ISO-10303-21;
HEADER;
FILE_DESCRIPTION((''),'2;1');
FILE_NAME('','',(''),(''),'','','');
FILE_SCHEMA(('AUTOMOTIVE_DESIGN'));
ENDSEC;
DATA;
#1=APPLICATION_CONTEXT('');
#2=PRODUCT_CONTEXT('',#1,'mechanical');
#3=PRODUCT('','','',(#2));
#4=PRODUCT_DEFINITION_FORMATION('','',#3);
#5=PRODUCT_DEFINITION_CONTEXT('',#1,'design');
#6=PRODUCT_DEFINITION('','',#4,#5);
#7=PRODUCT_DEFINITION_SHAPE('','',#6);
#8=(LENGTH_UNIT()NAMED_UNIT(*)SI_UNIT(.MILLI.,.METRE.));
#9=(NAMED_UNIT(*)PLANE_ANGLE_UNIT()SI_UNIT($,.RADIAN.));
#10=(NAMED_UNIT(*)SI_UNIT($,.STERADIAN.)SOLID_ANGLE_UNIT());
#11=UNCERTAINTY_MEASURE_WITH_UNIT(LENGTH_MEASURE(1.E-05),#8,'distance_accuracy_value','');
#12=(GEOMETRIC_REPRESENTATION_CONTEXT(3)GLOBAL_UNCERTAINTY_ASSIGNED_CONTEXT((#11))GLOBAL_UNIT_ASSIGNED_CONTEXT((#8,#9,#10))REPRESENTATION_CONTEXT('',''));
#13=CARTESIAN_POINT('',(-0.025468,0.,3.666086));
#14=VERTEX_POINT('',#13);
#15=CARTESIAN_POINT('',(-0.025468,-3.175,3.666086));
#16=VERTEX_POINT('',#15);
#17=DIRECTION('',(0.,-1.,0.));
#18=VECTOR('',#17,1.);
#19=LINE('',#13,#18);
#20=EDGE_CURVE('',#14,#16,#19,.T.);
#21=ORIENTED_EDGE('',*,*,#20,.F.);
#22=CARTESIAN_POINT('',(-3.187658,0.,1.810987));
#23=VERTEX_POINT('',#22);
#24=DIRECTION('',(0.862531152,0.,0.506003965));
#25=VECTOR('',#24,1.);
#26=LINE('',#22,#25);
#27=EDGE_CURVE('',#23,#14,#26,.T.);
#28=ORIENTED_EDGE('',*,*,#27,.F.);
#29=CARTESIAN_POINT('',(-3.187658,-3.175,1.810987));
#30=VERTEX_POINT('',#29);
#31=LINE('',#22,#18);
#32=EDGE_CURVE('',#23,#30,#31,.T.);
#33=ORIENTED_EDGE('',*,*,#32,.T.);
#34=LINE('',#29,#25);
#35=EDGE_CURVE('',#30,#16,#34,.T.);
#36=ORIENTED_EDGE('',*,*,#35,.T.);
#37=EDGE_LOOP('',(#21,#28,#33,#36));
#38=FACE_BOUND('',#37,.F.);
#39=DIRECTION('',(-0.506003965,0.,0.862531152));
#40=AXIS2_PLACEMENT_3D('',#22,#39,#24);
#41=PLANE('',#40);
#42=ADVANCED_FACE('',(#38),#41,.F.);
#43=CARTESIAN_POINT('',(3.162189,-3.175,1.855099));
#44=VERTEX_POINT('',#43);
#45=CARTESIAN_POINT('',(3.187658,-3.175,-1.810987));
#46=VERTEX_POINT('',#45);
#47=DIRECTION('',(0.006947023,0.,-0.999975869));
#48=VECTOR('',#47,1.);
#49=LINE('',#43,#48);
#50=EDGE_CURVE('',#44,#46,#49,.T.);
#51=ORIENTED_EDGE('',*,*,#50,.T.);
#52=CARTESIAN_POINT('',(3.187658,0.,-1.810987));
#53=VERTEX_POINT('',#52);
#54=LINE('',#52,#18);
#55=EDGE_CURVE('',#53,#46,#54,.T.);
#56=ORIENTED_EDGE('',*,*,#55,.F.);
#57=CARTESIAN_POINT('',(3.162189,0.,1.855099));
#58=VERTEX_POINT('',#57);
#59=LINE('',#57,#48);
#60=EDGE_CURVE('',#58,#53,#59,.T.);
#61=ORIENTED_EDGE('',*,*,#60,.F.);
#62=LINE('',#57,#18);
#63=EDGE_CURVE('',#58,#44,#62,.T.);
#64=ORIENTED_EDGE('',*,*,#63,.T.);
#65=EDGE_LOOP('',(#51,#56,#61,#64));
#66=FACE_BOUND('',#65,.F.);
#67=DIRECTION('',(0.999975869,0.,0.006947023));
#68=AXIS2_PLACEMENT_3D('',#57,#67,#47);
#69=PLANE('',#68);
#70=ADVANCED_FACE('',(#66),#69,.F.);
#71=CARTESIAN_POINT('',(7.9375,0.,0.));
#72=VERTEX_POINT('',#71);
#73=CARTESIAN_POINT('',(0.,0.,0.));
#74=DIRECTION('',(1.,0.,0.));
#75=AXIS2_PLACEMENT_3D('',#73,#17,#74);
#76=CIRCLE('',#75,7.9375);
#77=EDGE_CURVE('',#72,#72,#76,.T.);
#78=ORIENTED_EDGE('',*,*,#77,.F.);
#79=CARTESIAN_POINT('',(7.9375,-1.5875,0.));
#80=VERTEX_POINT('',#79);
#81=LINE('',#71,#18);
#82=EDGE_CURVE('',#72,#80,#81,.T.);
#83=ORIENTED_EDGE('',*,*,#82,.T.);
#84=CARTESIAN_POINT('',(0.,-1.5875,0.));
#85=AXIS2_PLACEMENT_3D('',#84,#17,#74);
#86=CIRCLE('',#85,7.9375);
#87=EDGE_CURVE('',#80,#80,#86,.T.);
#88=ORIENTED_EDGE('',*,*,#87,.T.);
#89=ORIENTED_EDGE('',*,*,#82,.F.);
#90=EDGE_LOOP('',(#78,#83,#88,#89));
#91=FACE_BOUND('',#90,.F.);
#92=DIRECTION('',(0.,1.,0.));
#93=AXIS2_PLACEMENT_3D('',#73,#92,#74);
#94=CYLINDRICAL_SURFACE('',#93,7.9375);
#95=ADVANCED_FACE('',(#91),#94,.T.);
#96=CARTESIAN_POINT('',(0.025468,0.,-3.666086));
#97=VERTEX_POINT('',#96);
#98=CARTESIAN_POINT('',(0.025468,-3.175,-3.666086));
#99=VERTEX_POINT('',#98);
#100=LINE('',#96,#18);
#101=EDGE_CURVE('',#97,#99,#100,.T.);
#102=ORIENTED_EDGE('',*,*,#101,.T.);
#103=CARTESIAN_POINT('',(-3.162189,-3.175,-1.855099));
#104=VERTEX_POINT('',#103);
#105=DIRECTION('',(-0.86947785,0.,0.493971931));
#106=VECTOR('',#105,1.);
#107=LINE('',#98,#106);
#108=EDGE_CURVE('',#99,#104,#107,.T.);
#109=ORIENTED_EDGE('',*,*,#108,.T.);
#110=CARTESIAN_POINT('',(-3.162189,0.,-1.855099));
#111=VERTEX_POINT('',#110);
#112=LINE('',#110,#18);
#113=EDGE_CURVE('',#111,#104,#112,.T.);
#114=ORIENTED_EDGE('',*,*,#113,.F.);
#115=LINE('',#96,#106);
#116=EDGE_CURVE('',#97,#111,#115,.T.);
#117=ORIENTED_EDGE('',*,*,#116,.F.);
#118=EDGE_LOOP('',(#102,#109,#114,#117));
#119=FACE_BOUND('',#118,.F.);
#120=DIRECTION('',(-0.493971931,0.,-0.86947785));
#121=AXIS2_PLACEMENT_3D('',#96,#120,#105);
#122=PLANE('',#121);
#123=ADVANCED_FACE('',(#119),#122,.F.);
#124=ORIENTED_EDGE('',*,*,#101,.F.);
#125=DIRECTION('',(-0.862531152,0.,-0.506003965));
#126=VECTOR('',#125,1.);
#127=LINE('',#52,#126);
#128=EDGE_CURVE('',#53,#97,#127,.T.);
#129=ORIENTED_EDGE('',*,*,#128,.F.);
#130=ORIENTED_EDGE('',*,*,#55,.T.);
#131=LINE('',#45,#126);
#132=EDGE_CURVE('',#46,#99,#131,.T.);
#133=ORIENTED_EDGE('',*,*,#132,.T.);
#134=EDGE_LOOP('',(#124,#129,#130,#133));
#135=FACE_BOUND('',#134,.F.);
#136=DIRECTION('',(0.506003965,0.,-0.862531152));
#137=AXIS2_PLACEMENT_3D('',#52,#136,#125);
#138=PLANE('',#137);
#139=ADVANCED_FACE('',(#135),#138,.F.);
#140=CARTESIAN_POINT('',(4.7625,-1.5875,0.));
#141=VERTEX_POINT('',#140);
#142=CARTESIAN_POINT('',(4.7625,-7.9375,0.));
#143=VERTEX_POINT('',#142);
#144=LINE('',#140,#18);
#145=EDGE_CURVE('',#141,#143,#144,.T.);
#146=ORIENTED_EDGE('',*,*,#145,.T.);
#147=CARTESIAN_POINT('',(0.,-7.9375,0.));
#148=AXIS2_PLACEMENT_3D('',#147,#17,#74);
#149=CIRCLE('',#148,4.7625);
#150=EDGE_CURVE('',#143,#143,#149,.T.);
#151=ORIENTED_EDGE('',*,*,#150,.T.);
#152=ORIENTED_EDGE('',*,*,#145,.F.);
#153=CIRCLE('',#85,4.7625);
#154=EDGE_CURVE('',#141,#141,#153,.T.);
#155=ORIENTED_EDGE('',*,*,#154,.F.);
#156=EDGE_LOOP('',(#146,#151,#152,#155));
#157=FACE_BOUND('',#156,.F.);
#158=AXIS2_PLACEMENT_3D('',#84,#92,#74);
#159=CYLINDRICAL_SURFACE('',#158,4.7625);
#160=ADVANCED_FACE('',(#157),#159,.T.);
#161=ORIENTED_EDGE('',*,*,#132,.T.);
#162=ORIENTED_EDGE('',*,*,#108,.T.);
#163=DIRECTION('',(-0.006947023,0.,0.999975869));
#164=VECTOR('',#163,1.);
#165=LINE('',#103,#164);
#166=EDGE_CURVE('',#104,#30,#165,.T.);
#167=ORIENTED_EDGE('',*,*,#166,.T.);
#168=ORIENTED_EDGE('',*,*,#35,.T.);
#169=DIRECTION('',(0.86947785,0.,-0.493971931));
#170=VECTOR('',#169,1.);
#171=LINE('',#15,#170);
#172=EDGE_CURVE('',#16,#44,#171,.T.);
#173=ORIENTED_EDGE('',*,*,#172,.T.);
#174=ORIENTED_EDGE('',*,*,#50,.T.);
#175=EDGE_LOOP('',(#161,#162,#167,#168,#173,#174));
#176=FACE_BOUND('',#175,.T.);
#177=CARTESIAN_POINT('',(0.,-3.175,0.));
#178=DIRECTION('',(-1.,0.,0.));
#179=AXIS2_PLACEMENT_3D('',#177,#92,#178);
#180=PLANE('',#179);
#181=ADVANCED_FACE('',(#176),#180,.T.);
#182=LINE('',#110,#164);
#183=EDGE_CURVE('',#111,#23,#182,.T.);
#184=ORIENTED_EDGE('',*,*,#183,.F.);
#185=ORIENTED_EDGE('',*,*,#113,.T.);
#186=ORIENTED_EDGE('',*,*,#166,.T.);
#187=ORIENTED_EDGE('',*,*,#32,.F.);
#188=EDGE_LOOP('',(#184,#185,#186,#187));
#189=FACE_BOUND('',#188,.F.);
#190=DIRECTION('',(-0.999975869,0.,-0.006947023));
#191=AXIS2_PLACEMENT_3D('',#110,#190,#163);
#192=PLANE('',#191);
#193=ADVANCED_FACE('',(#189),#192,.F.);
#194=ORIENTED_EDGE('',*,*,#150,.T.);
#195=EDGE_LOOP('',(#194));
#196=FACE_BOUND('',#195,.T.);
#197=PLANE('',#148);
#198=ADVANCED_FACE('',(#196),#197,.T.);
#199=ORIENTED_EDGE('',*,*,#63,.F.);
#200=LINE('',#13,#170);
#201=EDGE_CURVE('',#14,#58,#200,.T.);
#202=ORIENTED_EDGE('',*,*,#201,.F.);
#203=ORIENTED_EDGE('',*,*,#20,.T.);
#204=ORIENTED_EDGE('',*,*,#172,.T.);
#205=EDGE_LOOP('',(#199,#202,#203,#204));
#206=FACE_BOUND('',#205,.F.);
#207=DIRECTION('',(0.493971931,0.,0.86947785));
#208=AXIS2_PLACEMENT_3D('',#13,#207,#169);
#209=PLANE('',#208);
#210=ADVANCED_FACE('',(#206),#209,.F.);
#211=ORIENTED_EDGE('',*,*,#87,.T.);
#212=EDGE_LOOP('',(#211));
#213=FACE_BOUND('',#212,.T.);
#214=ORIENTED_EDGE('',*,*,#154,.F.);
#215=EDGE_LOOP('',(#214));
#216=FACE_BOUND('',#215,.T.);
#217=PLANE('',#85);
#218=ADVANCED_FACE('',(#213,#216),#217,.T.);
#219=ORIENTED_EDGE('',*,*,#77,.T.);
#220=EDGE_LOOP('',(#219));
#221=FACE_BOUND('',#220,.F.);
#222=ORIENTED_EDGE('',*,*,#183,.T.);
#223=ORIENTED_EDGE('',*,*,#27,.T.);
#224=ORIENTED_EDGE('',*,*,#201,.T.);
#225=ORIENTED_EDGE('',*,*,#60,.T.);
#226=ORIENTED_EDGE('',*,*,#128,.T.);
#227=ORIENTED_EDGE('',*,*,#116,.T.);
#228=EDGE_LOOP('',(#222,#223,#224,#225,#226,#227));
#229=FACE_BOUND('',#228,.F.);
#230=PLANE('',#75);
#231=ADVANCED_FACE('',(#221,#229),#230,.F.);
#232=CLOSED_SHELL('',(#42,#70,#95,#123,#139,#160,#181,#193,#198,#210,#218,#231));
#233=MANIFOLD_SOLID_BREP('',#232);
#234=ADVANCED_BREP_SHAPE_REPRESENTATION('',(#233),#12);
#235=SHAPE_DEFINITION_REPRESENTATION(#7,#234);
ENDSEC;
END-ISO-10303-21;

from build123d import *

# Parameters (mm, degrees)
F0_R     = 7.9375
F1_DEPTH = 1.5875
F2_R     = 4.7625
F3_DEPTH = 6.35
F5_DEPTH = 3.175


with BuildPart() as f1:
    # F0 (on Front) → F1 (new body)
    with BuildSketch(Plane.XZ):
        Circle(F0_R)
    extrude(amount=F1_DEPTH)

    # F2 (on face) → F3 (join)
    with BuildSketch(Plane.XZ.offset(1.5875)):
        Circle(F2_R)
    extrude(amount=F3_DEPTH)

    # F4 (on face) → F5 (cut)
    with BuildSketch(Plane(origin=(0, 0, 0), x_dir=(-1, 0, 0), z_dir=(0, 1, 0))):
        Polygon((3.187658, 1.810987), (0.025468, 3.666086), (-3.162189, 1.855099), (-3.187658, -1.810987), (-0.025468, -3.666086), (3.162189, -1.855099), align=None)
    extrude(amount=-F5_DEPTH, mode=Mode.SUBTRACT)


solid = f1.part
